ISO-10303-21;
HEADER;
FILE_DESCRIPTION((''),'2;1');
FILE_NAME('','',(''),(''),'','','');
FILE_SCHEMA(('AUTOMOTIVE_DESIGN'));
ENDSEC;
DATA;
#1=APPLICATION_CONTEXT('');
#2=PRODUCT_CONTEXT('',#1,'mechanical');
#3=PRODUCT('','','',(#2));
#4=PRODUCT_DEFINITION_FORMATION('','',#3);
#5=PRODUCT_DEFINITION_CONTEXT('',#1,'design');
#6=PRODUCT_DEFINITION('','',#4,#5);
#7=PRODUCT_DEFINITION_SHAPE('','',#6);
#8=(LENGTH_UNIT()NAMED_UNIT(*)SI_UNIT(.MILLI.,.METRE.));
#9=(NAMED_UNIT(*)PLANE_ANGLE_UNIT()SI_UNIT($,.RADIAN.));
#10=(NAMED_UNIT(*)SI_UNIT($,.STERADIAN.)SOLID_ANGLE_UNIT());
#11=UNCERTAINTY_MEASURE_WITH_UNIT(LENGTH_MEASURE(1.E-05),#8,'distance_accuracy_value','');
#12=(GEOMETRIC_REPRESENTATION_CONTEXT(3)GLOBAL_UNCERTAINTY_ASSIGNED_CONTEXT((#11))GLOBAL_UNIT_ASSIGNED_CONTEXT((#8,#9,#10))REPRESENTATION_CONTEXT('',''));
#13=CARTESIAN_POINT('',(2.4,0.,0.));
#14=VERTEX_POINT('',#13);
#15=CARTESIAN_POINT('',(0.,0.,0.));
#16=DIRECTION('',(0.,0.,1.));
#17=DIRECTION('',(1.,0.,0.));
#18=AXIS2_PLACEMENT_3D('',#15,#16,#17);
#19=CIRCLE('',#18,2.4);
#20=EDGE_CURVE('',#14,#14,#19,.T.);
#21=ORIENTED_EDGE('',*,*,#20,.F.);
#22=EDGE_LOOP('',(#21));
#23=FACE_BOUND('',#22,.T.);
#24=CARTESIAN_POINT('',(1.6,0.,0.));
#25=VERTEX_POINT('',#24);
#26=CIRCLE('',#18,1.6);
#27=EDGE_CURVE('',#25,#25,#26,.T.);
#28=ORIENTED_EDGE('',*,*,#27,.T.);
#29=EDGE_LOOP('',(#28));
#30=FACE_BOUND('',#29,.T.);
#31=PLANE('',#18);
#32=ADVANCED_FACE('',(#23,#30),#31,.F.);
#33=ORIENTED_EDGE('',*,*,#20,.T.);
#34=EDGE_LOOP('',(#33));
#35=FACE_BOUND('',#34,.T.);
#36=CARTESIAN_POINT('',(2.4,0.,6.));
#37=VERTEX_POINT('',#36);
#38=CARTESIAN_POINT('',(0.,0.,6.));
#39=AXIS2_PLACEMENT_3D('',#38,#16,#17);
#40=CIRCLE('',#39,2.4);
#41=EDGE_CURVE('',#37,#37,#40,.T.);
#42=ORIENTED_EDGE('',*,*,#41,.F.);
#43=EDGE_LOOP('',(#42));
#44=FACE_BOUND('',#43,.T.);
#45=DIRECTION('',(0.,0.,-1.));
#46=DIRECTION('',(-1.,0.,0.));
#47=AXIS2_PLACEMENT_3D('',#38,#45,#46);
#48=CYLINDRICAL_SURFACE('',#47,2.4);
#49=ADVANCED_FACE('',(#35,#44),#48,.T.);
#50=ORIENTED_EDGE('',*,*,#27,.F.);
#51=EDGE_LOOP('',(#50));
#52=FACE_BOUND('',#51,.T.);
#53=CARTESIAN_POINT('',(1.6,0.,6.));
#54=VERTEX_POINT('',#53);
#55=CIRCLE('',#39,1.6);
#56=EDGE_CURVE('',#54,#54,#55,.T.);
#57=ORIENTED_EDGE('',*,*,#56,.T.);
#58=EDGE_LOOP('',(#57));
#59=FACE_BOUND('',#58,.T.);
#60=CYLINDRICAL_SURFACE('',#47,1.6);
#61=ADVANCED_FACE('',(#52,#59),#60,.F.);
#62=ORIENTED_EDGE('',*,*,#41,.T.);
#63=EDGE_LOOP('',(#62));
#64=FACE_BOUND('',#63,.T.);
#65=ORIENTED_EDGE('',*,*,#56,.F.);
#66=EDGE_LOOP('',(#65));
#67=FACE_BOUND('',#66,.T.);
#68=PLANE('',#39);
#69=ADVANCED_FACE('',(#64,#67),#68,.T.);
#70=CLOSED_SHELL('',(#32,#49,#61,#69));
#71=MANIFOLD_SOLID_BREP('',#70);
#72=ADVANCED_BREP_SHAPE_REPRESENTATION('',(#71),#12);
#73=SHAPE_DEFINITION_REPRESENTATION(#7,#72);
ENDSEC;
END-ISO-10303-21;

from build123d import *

# Parameters (mm, degrees)
SKETCH1_R           = 2.4
SKETCH1_R_2         = 1.6
BOSS_EXTRUDE1_DEPTH = 6


with BuildPart() as part:
    # Sketch1 → Boss-Extrude1 (new body)
    with BuildSketch(Plane.XY):
        Circle(SKETCH1_R)
        Circle(SKETCH1_R_2, mode=Mode.SUBTRACT)
    extrude(amount=BOSS_EXTRUDE1_DEPTH)


solid = part.part
